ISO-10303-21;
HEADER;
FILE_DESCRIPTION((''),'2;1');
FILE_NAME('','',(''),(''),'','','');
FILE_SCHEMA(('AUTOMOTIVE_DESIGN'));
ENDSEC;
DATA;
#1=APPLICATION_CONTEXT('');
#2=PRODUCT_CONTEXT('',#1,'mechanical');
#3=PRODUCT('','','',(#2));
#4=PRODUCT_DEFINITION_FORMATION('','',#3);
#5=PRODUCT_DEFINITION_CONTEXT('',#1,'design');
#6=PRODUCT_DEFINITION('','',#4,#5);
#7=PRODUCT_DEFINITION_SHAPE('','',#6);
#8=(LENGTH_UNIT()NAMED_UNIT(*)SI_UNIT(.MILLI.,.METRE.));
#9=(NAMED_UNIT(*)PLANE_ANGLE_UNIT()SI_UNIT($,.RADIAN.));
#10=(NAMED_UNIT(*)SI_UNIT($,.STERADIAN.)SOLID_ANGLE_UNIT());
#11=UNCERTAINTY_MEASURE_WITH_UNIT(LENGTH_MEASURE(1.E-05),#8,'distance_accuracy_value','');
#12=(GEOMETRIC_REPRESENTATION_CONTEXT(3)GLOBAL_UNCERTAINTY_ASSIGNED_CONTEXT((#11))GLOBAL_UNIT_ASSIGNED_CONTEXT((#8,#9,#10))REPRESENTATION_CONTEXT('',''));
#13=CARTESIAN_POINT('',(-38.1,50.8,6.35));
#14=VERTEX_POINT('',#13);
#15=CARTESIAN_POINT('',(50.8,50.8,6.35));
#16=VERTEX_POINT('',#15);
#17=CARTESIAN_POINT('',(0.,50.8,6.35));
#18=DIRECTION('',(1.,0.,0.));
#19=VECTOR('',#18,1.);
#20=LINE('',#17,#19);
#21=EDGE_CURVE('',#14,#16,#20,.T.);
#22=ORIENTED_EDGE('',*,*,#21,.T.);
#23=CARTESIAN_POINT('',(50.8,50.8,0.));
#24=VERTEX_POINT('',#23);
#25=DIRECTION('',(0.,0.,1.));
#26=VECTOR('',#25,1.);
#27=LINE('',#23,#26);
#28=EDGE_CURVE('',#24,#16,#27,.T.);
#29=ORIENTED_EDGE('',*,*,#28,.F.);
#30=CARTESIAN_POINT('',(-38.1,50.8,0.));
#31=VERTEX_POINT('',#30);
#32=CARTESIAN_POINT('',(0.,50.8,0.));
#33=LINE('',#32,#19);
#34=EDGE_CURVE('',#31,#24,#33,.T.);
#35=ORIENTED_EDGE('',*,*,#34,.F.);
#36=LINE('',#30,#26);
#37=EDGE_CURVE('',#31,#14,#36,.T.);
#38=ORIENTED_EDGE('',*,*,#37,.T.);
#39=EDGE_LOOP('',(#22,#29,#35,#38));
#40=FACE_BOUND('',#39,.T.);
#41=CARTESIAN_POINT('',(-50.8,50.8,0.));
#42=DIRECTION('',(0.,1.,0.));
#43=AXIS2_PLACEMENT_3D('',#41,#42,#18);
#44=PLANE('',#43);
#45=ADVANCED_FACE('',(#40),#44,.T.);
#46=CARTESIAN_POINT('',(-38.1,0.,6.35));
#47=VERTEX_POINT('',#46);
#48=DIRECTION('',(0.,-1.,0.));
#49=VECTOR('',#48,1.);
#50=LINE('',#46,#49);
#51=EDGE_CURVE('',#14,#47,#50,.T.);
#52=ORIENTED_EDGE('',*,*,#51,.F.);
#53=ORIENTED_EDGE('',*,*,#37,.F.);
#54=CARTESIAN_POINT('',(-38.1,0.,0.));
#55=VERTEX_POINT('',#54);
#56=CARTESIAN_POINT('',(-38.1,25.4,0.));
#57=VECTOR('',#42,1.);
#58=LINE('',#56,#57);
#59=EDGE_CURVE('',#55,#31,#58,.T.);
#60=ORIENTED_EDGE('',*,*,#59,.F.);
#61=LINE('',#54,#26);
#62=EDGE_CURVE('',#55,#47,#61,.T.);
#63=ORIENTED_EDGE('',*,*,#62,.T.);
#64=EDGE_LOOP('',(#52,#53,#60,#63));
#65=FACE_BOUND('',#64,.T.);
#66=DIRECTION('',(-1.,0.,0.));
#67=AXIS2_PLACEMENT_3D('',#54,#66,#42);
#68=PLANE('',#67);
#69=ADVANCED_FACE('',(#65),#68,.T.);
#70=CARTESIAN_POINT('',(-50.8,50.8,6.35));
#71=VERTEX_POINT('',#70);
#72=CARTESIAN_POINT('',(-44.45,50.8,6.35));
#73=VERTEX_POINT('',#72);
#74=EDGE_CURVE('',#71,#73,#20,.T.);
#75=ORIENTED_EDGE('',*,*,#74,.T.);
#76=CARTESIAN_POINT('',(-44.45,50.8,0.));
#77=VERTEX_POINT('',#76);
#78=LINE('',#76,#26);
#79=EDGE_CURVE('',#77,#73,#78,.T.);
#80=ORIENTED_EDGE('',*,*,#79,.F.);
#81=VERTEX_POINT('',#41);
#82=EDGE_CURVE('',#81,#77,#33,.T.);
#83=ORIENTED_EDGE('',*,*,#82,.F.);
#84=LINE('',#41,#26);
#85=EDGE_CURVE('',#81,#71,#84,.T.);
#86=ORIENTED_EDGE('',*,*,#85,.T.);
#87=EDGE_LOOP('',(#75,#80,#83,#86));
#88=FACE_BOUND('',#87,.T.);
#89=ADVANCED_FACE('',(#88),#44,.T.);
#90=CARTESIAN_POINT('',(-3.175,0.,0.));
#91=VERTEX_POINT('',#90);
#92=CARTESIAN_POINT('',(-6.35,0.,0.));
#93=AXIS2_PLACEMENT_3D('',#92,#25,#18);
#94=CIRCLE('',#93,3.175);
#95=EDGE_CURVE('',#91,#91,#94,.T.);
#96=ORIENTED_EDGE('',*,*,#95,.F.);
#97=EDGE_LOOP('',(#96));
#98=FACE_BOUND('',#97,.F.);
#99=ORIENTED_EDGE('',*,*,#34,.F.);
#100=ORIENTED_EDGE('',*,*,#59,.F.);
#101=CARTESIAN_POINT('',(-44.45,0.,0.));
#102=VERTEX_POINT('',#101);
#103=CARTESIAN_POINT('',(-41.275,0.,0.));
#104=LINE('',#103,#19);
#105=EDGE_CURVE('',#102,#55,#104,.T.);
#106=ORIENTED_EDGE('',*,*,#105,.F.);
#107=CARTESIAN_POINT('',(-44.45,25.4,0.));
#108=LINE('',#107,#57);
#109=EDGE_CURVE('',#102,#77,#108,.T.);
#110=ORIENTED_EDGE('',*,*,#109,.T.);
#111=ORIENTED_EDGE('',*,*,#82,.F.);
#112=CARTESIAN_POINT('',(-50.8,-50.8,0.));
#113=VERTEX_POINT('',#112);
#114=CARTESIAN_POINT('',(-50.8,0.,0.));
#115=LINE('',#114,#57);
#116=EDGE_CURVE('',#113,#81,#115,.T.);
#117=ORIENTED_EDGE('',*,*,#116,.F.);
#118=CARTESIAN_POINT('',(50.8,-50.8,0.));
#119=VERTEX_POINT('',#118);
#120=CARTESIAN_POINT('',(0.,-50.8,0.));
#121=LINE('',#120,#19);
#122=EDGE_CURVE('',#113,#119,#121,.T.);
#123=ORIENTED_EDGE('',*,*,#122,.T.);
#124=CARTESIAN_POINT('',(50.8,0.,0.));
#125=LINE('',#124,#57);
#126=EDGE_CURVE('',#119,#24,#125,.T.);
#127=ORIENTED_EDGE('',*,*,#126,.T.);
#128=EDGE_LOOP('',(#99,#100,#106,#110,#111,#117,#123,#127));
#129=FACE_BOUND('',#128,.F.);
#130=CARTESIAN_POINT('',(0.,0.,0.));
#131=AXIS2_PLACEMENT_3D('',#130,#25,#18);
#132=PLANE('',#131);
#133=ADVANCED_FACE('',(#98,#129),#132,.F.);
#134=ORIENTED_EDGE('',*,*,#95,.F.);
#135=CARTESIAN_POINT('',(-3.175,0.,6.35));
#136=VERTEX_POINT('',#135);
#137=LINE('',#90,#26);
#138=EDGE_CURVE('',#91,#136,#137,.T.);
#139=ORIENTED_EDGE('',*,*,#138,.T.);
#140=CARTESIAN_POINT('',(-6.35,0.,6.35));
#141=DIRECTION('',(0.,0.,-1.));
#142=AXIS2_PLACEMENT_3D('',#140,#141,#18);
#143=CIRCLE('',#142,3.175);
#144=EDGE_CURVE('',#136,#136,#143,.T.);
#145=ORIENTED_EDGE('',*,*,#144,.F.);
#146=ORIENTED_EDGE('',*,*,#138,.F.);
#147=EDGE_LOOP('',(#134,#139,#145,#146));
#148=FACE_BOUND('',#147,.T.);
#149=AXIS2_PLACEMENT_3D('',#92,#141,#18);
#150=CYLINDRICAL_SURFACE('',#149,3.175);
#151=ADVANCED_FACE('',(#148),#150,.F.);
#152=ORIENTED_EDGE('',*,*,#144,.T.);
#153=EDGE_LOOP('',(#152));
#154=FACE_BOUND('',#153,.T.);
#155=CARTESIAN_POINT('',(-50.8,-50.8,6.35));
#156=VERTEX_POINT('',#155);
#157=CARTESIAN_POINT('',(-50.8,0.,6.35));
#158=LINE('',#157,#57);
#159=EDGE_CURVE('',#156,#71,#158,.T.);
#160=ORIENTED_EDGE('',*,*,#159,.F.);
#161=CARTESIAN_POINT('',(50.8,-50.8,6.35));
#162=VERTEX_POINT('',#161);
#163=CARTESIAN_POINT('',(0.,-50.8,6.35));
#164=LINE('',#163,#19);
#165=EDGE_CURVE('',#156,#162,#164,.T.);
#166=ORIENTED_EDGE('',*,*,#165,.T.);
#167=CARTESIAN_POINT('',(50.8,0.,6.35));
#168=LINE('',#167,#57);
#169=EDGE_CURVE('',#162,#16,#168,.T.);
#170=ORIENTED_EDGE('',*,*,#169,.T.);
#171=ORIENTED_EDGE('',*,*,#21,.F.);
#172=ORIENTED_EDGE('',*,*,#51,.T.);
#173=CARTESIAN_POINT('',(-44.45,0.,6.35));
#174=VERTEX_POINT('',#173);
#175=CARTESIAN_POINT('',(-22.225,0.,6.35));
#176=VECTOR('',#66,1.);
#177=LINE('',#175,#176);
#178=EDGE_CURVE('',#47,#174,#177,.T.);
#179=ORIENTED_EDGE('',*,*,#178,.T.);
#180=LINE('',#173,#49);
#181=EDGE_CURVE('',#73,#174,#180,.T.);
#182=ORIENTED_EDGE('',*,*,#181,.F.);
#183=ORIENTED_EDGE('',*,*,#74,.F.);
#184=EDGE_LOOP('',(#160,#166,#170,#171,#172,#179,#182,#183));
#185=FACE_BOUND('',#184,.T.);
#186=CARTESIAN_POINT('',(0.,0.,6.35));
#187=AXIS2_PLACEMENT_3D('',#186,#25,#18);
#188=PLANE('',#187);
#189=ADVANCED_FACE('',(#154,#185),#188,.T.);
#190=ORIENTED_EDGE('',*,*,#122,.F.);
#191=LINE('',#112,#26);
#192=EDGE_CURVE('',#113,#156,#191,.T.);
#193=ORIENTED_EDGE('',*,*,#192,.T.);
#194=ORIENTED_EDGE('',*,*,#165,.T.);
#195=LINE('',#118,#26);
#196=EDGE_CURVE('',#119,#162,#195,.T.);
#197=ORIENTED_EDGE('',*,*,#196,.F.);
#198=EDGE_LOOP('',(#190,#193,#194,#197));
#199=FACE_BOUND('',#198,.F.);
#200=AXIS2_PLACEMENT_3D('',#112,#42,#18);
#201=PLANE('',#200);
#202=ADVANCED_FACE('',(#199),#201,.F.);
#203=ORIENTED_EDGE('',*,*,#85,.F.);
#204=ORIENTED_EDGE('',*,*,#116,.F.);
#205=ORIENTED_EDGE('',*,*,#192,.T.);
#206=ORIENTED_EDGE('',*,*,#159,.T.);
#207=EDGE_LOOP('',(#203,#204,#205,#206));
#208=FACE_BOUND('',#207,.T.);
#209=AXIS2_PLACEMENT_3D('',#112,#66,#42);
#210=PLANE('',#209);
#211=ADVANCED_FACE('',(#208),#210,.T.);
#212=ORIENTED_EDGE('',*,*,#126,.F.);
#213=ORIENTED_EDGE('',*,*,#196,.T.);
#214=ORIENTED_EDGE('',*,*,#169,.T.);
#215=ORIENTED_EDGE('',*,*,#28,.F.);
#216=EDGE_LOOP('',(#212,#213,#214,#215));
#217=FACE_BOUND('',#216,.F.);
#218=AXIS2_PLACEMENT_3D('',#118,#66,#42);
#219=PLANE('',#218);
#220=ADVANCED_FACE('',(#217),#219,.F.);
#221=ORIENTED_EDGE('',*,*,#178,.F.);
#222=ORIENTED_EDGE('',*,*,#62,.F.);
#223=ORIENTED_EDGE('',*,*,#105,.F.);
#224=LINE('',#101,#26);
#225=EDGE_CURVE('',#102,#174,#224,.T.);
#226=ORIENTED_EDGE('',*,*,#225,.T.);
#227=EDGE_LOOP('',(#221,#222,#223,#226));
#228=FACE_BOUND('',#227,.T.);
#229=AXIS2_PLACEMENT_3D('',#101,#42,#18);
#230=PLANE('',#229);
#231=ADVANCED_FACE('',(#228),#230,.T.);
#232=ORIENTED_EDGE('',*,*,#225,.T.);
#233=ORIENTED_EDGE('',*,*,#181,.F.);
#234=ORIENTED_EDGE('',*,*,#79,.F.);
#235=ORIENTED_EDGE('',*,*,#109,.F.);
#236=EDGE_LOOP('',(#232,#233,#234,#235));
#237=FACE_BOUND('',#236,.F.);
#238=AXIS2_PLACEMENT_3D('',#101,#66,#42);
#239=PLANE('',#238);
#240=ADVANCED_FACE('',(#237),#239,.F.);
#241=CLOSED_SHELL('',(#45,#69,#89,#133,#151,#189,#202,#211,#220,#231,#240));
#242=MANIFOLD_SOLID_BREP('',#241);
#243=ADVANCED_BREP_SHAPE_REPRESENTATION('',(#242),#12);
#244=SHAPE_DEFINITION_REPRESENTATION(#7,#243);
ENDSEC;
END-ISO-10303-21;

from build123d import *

# Parameters (mm, degrees)
F0_W     = 101.6
F0_H     = 101.6
F1_DEPTH = 6.35
F2_R     = 3.175
F3_DEPTH = 6.351
F4_W     = 6.35
F4_H     = 50.8
F5_DEPTH = 6.351


with BuildPart() as f1:
    # F0 (on Top) → F1 (new body)
    with BuildSketch(Plane.XY):
        Rectangle(F0_W, F0_H)
    extrude(amount=F1_DEPTH)

    # F2 (on Top) → F3 (cut, through all)
    with BuildSketch(Plane.XY):
        with Locations((-6.35, 0)):
            Circle(F2_R)
    extrude(amount=F3_DEPTH, mode=Mode.SUBTRACT)

    # F4 (on Top) → F5 (cut, through all)
    with BuildSketch(Plane.XY):
        with Locations((-41.275, 25.4)):
            Rectangle(F4_W, F4_H)
    extrude(amount=F5_DEPTH, mode=Mode.SUBTRACT)


solid = f1.part
